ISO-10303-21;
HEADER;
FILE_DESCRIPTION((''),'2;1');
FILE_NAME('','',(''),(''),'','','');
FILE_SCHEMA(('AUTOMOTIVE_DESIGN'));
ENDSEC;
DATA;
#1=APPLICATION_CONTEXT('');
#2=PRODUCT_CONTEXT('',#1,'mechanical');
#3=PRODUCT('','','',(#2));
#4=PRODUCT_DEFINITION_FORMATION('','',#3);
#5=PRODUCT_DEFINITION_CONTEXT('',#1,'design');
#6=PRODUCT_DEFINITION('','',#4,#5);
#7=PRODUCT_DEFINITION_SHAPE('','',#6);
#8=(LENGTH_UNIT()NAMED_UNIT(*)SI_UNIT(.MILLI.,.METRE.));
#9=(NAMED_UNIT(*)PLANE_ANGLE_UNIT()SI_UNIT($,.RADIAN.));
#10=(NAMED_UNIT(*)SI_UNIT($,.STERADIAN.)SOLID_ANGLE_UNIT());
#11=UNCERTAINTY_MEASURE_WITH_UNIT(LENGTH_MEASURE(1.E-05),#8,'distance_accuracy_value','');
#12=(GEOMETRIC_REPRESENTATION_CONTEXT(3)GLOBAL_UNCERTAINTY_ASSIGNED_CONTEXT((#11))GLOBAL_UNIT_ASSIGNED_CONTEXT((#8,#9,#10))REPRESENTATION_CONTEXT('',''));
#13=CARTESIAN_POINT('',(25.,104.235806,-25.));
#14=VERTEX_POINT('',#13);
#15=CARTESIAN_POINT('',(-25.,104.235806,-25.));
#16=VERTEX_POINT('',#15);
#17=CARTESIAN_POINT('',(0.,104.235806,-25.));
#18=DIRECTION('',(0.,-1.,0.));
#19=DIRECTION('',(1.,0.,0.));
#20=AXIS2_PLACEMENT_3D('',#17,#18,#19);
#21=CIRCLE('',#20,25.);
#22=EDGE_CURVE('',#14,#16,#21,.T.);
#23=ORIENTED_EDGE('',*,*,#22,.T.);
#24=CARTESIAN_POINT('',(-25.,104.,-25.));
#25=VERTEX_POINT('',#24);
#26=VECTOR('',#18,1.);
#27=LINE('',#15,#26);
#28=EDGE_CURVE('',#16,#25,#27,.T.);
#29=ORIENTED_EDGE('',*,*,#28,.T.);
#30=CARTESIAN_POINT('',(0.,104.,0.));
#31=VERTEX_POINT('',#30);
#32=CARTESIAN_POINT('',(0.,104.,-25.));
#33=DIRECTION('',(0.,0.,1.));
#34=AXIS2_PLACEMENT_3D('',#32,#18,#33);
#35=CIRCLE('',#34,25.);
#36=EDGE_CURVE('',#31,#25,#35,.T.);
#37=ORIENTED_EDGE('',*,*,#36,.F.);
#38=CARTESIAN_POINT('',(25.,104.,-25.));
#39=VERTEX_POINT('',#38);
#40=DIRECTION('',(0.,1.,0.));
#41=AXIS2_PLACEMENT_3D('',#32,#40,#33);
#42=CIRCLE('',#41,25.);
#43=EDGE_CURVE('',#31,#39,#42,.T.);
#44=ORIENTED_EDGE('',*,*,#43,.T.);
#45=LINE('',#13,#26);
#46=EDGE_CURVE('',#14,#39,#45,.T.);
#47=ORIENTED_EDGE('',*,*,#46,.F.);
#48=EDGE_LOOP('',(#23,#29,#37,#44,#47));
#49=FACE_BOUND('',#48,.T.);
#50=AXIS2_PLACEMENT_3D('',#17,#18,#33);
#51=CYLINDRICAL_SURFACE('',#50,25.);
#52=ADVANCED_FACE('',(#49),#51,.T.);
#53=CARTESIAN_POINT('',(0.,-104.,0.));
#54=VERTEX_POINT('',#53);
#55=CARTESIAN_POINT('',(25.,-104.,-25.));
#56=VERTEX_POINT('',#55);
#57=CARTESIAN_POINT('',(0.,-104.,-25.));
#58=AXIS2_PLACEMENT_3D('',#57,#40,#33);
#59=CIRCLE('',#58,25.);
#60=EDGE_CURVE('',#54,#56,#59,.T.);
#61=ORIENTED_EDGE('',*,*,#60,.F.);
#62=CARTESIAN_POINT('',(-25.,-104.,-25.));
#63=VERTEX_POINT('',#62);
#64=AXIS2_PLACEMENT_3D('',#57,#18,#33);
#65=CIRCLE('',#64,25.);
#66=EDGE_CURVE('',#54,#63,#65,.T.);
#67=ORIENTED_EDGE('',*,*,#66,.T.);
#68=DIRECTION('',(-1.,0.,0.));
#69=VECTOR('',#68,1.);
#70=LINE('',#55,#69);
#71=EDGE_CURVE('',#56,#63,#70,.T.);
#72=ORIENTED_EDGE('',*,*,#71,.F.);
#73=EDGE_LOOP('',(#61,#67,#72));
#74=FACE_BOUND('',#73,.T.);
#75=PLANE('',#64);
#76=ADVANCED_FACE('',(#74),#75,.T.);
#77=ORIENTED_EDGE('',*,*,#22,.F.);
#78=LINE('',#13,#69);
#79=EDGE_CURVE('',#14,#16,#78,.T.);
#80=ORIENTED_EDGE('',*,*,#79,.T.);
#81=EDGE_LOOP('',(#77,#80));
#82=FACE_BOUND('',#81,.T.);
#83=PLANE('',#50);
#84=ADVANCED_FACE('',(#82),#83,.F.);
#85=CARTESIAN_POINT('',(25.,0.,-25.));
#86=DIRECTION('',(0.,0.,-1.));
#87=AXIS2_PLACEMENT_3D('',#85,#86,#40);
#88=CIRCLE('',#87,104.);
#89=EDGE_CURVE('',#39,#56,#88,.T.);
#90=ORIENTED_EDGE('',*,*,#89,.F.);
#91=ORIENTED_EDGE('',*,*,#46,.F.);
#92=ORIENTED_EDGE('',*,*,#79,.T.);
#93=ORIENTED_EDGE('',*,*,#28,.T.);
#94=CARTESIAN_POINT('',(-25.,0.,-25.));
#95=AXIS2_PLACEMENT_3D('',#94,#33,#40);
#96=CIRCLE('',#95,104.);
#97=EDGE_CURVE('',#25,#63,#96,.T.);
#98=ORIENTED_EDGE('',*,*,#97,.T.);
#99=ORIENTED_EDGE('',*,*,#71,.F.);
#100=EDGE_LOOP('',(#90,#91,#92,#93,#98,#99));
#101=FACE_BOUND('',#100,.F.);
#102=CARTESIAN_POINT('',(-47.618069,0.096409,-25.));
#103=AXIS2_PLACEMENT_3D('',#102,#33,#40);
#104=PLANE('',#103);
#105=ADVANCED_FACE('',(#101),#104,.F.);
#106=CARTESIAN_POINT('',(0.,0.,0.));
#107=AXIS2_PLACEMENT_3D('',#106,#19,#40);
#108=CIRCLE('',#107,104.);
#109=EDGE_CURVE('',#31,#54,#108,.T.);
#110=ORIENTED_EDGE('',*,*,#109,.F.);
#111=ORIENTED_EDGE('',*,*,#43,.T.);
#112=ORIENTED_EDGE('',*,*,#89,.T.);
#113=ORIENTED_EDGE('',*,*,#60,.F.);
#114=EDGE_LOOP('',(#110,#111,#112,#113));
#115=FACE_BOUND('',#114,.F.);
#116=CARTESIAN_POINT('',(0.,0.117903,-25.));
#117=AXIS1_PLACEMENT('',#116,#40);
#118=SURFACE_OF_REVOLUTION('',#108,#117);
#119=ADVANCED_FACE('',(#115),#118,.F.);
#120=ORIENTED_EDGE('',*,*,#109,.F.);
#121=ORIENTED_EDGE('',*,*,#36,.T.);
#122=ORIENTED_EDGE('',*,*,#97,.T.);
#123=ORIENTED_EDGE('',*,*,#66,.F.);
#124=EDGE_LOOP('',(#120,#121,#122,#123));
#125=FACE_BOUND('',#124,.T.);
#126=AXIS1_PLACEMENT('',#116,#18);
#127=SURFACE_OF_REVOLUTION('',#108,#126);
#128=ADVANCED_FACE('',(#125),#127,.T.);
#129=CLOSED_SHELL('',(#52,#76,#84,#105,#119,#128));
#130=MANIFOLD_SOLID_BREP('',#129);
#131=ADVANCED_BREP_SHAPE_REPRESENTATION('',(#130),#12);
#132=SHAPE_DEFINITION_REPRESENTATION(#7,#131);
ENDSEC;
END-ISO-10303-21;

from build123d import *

# Parameters (mm, degrees)
F1_ANGLE = 180


with BuildPart() as f1:
    # F0 (on Right) → F1 (revolve, symmetric)
    with BuildSketch(Plane.YZ) as f1_sk:
        with BuildLine():
            Line((104.235806, 0), (104, 0))
            ThreePointArc((104, 0), (0, 104), (-104, 0))
            Line((-104, 0), (-104, -25))
            Line((-104, -25), (104.235806, -25))
            Line((104.235806, -25), (104.235806, 0))
        make_face()
    revolve(axis=Axis((0, 0.117903, -25), (0, 1, 0)), revolution_arc=F1_ANGLE / 2)
    revolve(f1_sk.sketch, axis=Axis((0, 0.117903, -25), (0, -1, 0)), revolution_arc=F1_ANGLE / 2)


solid = f1.part
